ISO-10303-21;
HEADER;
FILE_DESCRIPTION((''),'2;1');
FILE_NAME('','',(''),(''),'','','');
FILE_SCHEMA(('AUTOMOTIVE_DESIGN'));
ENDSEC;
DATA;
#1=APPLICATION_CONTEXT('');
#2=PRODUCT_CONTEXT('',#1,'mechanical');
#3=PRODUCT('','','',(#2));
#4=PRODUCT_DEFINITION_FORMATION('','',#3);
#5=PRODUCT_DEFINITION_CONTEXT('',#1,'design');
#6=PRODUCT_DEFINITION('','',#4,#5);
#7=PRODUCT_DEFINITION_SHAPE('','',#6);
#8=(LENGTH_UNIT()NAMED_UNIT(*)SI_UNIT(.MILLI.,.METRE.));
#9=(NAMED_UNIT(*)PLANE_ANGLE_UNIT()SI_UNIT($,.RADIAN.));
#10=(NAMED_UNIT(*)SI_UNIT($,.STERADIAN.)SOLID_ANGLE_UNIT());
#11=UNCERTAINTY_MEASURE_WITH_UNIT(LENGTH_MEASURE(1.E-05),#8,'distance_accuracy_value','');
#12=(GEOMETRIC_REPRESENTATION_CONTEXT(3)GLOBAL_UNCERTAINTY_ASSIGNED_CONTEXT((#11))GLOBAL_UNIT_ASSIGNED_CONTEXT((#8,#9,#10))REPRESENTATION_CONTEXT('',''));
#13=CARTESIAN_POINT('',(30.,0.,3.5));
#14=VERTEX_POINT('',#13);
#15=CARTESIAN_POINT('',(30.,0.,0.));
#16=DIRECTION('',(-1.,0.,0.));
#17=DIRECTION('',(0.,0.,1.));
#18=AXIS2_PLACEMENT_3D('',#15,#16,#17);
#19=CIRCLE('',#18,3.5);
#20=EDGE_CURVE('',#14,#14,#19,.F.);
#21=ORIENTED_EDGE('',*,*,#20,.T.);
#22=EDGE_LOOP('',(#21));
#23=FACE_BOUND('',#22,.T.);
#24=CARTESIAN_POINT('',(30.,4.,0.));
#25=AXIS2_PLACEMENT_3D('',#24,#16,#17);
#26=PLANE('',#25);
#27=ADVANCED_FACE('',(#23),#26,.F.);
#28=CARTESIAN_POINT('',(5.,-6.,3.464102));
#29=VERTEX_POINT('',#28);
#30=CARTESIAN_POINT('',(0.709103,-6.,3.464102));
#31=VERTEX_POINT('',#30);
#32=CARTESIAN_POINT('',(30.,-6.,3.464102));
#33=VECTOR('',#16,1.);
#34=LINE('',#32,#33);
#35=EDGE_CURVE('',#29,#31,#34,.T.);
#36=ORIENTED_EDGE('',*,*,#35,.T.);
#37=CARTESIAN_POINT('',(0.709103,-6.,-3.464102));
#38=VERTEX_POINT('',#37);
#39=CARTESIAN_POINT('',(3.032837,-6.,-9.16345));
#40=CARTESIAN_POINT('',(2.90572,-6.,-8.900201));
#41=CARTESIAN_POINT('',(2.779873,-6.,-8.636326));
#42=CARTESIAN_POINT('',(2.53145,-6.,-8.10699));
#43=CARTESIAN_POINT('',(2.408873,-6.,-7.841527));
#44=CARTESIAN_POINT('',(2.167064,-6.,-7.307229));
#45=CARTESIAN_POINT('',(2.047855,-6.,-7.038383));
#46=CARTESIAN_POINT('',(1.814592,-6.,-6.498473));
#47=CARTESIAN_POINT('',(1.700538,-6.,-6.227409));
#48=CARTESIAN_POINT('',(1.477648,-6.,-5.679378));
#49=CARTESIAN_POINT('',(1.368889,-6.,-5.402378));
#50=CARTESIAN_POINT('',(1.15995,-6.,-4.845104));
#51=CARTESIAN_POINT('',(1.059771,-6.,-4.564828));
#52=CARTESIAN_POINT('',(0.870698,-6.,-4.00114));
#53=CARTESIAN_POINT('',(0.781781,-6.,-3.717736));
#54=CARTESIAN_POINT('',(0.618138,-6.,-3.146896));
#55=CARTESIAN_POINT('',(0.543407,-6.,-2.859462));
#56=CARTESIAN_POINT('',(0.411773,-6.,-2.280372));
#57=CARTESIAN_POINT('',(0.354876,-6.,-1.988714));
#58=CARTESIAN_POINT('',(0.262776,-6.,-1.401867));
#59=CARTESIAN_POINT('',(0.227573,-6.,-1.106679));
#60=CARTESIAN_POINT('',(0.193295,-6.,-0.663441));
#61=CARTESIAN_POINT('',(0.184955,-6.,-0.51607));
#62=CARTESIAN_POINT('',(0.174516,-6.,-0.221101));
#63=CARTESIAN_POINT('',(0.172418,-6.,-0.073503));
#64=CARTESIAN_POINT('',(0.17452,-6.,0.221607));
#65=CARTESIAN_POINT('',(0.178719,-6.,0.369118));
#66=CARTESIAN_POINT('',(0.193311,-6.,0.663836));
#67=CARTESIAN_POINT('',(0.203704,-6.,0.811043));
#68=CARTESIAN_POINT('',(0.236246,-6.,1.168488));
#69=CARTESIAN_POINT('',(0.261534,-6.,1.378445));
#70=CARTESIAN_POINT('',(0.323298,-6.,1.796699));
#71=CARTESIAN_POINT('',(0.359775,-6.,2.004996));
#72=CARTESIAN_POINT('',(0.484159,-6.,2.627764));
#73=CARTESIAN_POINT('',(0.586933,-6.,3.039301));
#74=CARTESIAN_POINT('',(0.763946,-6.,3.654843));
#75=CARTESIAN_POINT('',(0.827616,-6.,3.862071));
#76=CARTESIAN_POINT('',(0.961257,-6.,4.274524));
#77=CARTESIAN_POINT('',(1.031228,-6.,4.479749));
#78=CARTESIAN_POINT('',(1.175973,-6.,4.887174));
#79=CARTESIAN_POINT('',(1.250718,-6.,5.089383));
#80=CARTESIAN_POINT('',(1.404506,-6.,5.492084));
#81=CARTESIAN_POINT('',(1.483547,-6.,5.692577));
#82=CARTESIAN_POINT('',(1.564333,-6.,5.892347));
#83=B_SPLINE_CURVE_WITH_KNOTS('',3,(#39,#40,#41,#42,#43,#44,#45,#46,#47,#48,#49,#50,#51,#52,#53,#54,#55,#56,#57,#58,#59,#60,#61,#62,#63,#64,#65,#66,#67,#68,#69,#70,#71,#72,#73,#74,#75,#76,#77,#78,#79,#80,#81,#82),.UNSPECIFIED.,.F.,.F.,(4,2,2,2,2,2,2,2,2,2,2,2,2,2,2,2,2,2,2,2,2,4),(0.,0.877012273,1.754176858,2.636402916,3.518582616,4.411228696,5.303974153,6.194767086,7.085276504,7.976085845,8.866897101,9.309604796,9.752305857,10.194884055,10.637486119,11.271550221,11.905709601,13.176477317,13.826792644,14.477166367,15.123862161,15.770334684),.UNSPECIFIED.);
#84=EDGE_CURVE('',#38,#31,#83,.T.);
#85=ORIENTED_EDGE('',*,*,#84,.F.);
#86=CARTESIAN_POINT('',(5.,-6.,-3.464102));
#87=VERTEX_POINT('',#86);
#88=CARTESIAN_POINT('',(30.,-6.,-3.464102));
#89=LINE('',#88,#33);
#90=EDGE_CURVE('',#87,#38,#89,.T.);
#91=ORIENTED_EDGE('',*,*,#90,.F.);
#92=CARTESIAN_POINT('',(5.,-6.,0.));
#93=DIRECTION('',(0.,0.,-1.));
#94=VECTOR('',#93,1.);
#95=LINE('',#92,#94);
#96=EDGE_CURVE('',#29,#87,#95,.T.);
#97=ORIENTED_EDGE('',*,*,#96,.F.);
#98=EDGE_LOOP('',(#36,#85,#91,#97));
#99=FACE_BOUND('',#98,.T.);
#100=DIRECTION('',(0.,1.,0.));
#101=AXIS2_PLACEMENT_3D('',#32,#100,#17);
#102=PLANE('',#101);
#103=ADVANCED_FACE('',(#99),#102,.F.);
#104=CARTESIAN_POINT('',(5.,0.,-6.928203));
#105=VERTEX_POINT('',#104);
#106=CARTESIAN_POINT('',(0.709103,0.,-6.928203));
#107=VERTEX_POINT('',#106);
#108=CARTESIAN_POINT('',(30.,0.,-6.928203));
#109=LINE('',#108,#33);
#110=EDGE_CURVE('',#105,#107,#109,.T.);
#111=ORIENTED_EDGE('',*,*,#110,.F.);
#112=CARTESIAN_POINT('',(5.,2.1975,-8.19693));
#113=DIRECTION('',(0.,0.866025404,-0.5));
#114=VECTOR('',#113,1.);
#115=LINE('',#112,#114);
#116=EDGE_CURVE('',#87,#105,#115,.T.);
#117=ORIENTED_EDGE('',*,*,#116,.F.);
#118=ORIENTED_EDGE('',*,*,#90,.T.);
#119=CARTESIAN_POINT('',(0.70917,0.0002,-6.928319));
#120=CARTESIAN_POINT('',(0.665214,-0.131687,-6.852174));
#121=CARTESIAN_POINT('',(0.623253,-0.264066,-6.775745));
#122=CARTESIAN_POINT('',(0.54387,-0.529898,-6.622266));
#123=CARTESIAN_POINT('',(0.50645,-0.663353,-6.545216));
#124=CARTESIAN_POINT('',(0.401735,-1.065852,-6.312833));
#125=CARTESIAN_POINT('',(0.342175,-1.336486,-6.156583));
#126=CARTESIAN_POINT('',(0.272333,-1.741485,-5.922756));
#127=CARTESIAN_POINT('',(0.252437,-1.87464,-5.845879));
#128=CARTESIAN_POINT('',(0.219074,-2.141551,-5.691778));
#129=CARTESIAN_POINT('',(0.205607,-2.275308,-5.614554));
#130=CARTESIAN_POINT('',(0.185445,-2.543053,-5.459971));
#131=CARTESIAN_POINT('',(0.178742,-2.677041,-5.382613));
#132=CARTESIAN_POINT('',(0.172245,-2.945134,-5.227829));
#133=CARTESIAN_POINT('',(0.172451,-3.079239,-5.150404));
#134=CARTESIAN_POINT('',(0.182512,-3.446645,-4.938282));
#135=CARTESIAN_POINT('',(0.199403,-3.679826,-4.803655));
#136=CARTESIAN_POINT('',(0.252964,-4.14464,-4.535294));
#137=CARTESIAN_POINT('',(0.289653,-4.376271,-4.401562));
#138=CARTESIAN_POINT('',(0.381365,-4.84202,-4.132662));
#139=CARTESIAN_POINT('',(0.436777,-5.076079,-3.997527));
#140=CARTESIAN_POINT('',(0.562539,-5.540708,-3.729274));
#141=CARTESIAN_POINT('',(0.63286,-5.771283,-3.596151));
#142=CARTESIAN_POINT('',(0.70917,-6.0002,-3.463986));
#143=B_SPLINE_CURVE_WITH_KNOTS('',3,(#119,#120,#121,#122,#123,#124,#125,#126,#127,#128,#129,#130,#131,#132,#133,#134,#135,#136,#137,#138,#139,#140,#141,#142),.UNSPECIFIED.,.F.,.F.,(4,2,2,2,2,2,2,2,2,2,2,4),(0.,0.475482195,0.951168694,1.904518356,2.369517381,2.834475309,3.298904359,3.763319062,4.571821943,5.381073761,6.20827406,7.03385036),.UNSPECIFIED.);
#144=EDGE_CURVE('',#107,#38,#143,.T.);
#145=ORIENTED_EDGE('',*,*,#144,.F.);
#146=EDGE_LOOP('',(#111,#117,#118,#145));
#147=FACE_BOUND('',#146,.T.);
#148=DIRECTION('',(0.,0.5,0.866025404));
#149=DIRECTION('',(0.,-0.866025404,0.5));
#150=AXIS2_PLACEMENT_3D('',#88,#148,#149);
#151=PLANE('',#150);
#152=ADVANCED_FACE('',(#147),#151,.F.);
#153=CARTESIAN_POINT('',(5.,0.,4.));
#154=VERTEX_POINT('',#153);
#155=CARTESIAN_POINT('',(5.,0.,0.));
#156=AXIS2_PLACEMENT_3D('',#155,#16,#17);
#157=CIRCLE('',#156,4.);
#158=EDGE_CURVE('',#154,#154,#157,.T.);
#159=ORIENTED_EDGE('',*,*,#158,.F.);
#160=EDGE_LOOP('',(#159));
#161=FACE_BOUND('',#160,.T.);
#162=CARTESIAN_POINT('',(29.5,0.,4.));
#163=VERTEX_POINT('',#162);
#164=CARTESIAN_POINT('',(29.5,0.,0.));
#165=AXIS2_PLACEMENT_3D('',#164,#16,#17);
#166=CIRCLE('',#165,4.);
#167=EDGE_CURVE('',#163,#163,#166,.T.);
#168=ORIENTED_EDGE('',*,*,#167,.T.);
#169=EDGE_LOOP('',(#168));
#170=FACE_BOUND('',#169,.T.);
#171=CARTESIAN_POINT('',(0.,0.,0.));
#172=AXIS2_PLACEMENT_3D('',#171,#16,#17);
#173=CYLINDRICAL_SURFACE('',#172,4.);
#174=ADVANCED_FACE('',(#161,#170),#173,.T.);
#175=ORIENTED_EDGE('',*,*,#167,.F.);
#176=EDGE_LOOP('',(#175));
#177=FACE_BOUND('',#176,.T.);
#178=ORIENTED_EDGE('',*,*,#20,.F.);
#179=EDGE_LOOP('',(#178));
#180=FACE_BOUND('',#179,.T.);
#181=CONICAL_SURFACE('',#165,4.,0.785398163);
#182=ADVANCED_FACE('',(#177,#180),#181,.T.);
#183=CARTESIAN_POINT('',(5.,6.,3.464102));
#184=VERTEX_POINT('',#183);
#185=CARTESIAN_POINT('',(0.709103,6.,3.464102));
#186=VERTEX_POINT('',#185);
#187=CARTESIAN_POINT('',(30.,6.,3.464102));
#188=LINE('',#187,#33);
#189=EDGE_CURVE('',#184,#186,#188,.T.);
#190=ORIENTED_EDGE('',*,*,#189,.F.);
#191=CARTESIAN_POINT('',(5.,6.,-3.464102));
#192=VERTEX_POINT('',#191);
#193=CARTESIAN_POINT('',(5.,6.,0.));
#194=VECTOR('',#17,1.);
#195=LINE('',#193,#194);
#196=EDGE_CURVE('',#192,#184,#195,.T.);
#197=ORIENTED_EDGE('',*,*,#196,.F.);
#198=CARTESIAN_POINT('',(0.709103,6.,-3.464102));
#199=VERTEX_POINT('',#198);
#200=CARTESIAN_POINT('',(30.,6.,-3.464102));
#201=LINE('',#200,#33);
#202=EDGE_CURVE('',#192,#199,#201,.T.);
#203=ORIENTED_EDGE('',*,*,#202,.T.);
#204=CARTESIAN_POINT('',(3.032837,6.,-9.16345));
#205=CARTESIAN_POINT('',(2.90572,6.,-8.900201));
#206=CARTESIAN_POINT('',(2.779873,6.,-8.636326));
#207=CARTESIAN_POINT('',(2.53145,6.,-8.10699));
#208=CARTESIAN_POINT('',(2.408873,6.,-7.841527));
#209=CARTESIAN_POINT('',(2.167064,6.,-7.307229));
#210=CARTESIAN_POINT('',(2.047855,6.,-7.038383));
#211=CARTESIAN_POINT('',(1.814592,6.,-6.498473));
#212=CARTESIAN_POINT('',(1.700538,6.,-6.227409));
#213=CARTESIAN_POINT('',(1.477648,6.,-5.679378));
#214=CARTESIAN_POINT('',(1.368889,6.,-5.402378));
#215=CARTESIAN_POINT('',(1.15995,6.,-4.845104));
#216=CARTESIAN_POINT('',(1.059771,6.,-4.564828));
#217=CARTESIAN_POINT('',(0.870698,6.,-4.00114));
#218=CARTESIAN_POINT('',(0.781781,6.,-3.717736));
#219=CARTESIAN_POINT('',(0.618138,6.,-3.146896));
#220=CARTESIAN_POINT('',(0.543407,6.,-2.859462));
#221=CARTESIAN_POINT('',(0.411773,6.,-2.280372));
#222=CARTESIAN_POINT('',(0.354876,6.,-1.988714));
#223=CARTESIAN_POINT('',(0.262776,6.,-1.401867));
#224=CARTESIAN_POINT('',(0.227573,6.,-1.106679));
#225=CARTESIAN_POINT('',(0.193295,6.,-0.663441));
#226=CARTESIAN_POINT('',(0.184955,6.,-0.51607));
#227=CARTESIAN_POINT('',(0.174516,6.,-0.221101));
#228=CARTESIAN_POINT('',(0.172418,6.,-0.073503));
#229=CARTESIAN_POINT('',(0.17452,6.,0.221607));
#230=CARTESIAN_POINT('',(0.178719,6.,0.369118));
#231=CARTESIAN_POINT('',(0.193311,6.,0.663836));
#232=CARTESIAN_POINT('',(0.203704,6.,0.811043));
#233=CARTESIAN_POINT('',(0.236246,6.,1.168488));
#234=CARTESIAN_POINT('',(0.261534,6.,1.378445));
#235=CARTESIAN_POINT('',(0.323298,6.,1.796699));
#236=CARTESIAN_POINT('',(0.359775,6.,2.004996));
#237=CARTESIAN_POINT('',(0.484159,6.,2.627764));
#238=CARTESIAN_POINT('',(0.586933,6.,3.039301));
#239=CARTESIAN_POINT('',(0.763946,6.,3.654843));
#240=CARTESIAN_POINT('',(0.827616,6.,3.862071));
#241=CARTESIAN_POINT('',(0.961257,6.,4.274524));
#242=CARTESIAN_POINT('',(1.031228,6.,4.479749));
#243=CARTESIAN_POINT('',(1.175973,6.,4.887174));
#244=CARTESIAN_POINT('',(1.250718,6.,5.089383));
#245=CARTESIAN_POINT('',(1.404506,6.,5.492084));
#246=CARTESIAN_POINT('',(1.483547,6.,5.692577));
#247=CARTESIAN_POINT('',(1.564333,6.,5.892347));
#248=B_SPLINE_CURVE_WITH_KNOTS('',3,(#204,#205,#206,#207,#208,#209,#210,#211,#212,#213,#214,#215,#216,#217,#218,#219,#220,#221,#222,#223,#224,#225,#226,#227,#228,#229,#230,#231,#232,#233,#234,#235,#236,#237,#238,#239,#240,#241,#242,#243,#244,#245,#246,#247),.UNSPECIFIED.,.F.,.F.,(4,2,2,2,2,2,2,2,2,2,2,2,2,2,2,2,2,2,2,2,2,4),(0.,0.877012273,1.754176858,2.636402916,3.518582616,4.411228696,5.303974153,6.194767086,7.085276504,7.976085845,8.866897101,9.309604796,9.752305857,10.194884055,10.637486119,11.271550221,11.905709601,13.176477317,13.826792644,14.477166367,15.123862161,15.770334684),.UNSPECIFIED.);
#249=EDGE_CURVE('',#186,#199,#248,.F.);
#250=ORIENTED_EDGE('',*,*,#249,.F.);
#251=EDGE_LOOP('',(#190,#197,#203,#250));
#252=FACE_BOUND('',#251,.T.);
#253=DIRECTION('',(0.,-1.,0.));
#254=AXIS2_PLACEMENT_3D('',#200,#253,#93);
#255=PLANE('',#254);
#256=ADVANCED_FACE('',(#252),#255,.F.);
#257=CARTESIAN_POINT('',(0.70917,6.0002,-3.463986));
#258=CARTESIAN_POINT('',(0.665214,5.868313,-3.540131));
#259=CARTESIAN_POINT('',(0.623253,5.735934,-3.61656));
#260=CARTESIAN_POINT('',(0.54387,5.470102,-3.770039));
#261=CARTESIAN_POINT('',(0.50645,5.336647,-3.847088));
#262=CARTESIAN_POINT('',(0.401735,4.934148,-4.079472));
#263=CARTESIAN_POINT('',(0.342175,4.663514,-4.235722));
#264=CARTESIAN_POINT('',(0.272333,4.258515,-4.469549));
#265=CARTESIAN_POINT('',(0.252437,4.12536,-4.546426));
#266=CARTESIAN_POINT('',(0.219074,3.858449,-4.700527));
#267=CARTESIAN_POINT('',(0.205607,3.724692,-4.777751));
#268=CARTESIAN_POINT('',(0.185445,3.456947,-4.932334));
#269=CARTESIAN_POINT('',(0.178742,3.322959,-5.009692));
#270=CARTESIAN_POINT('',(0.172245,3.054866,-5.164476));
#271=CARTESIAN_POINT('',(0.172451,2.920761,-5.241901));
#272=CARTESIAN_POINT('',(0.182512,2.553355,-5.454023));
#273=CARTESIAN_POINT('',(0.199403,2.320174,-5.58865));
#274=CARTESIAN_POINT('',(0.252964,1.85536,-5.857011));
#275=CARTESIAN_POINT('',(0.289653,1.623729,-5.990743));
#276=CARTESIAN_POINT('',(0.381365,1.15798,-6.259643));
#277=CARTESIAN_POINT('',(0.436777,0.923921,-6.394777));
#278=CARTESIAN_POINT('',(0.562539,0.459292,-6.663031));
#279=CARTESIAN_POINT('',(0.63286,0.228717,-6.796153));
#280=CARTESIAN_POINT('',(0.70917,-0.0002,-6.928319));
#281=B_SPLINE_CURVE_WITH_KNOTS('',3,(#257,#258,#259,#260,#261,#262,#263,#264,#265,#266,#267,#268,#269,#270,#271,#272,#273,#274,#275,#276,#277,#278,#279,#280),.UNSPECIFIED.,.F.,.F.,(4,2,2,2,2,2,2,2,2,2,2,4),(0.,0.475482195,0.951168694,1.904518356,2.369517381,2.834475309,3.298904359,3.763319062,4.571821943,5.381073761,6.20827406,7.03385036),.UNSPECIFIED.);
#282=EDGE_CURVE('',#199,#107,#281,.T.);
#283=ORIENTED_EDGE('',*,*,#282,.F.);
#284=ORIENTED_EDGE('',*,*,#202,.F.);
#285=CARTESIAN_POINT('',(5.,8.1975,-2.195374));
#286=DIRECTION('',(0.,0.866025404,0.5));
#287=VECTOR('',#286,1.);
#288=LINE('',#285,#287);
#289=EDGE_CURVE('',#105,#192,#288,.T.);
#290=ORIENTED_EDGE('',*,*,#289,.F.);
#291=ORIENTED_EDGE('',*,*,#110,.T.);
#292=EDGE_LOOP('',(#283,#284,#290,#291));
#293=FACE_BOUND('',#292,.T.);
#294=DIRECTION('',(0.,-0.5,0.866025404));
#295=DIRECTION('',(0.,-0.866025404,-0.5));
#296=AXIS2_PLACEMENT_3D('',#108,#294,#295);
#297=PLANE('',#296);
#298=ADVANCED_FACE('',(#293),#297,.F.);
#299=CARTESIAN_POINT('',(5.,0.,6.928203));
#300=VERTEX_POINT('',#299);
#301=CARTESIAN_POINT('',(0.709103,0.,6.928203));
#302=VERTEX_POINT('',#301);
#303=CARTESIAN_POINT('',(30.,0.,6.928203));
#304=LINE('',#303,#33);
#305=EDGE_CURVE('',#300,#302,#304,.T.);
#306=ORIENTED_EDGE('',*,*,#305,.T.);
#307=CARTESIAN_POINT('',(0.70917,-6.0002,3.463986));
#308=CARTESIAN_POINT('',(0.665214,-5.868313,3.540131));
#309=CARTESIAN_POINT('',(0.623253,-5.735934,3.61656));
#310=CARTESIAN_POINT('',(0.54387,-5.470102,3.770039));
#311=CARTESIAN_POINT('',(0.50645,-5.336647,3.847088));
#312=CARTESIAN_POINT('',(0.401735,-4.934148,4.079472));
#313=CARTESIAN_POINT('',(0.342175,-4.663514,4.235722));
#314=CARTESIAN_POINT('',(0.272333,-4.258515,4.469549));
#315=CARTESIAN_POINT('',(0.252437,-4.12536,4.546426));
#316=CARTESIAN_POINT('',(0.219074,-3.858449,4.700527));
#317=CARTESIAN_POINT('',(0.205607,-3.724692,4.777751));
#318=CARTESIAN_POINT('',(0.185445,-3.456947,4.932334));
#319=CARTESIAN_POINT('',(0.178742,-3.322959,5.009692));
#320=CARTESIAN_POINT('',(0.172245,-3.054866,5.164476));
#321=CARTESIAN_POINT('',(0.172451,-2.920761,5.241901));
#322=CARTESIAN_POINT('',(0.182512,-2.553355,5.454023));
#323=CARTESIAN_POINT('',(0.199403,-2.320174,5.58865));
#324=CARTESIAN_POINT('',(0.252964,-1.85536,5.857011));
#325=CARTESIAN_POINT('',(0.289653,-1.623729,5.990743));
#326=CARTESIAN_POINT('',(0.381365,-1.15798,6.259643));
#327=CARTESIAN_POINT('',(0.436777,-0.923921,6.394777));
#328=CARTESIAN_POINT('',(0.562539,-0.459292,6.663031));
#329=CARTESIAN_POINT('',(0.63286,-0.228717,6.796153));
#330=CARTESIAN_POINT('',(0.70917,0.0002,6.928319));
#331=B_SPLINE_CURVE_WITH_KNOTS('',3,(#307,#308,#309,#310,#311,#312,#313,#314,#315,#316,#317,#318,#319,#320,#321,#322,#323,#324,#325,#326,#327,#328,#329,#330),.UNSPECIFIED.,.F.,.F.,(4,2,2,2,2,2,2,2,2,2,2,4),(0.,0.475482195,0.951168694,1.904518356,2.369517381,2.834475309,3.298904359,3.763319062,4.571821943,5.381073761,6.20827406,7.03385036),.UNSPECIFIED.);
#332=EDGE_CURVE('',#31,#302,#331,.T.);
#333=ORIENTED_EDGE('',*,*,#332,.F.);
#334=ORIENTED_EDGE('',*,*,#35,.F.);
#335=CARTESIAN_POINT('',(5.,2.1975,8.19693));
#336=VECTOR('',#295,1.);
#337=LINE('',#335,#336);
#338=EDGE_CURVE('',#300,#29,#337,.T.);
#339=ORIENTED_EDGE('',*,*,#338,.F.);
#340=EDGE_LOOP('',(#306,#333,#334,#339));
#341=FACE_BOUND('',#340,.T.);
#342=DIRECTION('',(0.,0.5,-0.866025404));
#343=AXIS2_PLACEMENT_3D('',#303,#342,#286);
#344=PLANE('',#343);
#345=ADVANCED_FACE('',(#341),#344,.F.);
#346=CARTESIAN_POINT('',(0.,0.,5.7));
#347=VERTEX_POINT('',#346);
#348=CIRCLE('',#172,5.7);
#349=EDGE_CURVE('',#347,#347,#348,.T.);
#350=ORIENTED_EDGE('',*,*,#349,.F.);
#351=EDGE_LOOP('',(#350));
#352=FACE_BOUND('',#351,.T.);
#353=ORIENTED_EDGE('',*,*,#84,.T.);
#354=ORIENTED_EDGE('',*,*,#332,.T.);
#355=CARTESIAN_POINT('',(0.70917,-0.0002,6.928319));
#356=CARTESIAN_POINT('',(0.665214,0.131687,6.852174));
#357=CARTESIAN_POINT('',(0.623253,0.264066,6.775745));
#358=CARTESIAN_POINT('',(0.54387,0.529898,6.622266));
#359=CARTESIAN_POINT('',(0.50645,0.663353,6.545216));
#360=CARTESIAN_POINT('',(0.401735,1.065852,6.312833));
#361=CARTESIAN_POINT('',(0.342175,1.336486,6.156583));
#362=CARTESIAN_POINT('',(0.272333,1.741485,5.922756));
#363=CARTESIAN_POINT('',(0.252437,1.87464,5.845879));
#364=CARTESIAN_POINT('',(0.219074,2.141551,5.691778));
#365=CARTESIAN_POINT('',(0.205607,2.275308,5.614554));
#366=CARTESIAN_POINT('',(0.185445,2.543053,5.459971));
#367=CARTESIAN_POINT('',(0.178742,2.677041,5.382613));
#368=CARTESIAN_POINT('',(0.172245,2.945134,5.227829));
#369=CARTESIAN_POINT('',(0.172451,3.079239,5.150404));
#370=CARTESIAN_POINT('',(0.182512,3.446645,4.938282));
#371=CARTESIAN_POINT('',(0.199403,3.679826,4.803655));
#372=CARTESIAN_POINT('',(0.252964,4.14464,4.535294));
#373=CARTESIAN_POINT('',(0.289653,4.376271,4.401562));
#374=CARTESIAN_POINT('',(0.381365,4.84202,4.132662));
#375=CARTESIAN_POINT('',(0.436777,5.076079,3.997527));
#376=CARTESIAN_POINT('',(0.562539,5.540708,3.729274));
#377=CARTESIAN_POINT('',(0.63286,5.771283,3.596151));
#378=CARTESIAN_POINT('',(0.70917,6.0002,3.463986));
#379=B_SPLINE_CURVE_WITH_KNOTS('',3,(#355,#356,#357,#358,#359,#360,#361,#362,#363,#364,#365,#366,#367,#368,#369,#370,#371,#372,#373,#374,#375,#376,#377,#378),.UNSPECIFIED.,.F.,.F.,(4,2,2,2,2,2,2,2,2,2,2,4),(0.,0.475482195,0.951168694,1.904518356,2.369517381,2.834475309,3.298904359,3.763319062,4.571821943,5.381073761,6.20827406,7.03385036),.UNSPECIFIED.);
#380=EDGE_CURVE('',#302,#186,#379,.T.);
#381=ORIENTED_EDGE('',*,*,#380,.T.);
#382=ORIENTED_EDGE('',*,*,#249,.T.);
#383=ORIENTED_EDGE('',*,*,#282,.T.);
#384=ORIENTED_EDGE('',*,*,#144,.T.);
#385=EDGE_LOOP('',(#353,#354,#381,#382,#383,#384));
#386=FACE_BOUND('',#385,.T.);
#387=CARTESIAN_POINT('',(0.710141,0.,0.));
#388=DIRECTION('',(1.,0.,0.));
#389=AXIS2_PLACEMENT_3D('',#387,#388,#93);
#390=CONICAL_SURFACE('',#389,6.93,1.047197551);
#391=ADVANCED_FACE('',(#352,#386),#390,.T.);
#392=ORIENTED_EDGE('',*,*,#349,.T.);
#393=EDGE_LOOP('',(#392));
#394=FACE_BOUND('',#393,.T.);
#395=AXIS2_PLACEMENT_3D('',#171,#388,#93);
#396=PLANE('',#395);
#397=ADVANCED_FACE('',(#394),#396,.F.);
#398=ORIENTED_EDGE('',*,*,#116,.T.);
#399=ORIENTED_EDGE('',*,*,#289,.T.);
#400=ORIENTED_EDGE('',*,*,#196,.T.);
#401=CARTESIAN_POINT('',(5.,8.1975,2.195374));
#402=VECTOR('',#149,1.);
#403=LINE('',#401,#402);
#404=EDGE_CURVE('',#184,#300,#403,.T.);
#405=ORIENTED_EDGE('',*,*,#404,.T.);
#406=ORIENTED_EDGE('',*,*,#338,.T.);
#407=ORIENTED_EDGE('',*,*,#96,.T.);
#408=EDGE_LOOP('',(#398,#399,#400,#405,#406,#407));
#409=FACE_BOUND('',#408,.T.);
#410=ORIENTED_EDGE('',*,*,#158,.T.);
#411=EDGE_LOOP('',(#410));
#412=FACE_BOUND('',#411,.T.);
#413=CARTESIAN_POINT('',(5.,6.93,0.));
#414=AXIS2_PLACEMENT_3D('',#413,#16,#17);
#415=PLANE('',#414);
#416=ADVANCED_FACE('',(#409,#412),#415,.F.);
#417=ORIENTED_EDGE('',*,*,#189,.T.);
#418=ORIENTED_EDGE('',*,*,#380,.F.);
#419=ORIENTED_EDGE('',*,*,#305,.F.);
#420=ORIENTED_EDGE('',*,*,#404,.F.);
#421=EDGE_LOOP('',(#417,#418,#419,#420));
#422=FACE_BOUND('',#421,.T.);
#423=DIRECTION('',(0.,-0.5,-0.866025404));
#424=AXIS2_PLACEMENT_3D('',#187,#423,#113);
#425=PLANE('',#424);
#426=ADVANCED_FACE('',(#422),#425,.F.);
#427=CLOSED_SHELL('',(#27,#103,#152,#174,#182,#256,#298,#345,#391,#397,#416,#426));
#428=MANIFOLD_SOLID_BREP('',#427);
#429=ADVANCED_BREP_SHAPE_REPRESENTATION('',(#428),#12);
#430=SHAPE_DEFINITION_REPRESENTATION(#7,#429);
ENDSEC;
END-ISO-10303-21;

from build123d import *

# Parameters (mm, degrees)
SKETCH_2_OUTSIDE_W  = 23.028
SKETCH_2_OUTSIDE_H  = 23.028
CUT_EXTRUDE_1_DEPTH = 32.560256653
CHAMFER_1_SIZE      = 0.5


with BuildPart() as part:
    # Эскиз1 → Повернуть1 (revolve)
    with BuildSketch(Plane.XY, mode=Mode.PRIVATE) as revolve_1_sk:
        Polygon((0, 0), (0, 5.7), (0.710140831, 6.93), (5, 6.93), (5, 4), (30, 4), (30, 0), align=None)
    revolve(revolve_1_sk.sketch.rotate(Axis((0, 0, 0), (1, 0, 0)), 90), axis=Axis((0, 0, 0), (1, 0, 0)))

    # Эскиз2 outside → Вырез-Вытянуть1 (cut, through all)
    with BuildSketch(Plane(origin=(0, 0, 0), x_dir=(0, 0, -1), z_dir=(1, 0, 0))):
        Rectangle(SKETCH_2_OUTSIDE_W, SKETCH_2_OUTSIDE_H)
        Polygon((6.92820323, 0), (3.464101615, 6), (-3.464101615, 6), (-6.92820323, 0), (-3.464101615, -6), (3.464101615, -6), align=None, mode=Mode.SUBTRACT)
    extrude(amount=CUT_EXTRUDE_1_DEPTH, mode=Mode.SUBTRACT)

    # Фаска1
    chamfer_1_edges = [part.edges().sort_by_distance(p)[0] for p in [
        (30, 0, -4),
    ]]
    chamfer(chamfer_1_edges, length=CHAMFER_1_SIZE)


solid = part.part
